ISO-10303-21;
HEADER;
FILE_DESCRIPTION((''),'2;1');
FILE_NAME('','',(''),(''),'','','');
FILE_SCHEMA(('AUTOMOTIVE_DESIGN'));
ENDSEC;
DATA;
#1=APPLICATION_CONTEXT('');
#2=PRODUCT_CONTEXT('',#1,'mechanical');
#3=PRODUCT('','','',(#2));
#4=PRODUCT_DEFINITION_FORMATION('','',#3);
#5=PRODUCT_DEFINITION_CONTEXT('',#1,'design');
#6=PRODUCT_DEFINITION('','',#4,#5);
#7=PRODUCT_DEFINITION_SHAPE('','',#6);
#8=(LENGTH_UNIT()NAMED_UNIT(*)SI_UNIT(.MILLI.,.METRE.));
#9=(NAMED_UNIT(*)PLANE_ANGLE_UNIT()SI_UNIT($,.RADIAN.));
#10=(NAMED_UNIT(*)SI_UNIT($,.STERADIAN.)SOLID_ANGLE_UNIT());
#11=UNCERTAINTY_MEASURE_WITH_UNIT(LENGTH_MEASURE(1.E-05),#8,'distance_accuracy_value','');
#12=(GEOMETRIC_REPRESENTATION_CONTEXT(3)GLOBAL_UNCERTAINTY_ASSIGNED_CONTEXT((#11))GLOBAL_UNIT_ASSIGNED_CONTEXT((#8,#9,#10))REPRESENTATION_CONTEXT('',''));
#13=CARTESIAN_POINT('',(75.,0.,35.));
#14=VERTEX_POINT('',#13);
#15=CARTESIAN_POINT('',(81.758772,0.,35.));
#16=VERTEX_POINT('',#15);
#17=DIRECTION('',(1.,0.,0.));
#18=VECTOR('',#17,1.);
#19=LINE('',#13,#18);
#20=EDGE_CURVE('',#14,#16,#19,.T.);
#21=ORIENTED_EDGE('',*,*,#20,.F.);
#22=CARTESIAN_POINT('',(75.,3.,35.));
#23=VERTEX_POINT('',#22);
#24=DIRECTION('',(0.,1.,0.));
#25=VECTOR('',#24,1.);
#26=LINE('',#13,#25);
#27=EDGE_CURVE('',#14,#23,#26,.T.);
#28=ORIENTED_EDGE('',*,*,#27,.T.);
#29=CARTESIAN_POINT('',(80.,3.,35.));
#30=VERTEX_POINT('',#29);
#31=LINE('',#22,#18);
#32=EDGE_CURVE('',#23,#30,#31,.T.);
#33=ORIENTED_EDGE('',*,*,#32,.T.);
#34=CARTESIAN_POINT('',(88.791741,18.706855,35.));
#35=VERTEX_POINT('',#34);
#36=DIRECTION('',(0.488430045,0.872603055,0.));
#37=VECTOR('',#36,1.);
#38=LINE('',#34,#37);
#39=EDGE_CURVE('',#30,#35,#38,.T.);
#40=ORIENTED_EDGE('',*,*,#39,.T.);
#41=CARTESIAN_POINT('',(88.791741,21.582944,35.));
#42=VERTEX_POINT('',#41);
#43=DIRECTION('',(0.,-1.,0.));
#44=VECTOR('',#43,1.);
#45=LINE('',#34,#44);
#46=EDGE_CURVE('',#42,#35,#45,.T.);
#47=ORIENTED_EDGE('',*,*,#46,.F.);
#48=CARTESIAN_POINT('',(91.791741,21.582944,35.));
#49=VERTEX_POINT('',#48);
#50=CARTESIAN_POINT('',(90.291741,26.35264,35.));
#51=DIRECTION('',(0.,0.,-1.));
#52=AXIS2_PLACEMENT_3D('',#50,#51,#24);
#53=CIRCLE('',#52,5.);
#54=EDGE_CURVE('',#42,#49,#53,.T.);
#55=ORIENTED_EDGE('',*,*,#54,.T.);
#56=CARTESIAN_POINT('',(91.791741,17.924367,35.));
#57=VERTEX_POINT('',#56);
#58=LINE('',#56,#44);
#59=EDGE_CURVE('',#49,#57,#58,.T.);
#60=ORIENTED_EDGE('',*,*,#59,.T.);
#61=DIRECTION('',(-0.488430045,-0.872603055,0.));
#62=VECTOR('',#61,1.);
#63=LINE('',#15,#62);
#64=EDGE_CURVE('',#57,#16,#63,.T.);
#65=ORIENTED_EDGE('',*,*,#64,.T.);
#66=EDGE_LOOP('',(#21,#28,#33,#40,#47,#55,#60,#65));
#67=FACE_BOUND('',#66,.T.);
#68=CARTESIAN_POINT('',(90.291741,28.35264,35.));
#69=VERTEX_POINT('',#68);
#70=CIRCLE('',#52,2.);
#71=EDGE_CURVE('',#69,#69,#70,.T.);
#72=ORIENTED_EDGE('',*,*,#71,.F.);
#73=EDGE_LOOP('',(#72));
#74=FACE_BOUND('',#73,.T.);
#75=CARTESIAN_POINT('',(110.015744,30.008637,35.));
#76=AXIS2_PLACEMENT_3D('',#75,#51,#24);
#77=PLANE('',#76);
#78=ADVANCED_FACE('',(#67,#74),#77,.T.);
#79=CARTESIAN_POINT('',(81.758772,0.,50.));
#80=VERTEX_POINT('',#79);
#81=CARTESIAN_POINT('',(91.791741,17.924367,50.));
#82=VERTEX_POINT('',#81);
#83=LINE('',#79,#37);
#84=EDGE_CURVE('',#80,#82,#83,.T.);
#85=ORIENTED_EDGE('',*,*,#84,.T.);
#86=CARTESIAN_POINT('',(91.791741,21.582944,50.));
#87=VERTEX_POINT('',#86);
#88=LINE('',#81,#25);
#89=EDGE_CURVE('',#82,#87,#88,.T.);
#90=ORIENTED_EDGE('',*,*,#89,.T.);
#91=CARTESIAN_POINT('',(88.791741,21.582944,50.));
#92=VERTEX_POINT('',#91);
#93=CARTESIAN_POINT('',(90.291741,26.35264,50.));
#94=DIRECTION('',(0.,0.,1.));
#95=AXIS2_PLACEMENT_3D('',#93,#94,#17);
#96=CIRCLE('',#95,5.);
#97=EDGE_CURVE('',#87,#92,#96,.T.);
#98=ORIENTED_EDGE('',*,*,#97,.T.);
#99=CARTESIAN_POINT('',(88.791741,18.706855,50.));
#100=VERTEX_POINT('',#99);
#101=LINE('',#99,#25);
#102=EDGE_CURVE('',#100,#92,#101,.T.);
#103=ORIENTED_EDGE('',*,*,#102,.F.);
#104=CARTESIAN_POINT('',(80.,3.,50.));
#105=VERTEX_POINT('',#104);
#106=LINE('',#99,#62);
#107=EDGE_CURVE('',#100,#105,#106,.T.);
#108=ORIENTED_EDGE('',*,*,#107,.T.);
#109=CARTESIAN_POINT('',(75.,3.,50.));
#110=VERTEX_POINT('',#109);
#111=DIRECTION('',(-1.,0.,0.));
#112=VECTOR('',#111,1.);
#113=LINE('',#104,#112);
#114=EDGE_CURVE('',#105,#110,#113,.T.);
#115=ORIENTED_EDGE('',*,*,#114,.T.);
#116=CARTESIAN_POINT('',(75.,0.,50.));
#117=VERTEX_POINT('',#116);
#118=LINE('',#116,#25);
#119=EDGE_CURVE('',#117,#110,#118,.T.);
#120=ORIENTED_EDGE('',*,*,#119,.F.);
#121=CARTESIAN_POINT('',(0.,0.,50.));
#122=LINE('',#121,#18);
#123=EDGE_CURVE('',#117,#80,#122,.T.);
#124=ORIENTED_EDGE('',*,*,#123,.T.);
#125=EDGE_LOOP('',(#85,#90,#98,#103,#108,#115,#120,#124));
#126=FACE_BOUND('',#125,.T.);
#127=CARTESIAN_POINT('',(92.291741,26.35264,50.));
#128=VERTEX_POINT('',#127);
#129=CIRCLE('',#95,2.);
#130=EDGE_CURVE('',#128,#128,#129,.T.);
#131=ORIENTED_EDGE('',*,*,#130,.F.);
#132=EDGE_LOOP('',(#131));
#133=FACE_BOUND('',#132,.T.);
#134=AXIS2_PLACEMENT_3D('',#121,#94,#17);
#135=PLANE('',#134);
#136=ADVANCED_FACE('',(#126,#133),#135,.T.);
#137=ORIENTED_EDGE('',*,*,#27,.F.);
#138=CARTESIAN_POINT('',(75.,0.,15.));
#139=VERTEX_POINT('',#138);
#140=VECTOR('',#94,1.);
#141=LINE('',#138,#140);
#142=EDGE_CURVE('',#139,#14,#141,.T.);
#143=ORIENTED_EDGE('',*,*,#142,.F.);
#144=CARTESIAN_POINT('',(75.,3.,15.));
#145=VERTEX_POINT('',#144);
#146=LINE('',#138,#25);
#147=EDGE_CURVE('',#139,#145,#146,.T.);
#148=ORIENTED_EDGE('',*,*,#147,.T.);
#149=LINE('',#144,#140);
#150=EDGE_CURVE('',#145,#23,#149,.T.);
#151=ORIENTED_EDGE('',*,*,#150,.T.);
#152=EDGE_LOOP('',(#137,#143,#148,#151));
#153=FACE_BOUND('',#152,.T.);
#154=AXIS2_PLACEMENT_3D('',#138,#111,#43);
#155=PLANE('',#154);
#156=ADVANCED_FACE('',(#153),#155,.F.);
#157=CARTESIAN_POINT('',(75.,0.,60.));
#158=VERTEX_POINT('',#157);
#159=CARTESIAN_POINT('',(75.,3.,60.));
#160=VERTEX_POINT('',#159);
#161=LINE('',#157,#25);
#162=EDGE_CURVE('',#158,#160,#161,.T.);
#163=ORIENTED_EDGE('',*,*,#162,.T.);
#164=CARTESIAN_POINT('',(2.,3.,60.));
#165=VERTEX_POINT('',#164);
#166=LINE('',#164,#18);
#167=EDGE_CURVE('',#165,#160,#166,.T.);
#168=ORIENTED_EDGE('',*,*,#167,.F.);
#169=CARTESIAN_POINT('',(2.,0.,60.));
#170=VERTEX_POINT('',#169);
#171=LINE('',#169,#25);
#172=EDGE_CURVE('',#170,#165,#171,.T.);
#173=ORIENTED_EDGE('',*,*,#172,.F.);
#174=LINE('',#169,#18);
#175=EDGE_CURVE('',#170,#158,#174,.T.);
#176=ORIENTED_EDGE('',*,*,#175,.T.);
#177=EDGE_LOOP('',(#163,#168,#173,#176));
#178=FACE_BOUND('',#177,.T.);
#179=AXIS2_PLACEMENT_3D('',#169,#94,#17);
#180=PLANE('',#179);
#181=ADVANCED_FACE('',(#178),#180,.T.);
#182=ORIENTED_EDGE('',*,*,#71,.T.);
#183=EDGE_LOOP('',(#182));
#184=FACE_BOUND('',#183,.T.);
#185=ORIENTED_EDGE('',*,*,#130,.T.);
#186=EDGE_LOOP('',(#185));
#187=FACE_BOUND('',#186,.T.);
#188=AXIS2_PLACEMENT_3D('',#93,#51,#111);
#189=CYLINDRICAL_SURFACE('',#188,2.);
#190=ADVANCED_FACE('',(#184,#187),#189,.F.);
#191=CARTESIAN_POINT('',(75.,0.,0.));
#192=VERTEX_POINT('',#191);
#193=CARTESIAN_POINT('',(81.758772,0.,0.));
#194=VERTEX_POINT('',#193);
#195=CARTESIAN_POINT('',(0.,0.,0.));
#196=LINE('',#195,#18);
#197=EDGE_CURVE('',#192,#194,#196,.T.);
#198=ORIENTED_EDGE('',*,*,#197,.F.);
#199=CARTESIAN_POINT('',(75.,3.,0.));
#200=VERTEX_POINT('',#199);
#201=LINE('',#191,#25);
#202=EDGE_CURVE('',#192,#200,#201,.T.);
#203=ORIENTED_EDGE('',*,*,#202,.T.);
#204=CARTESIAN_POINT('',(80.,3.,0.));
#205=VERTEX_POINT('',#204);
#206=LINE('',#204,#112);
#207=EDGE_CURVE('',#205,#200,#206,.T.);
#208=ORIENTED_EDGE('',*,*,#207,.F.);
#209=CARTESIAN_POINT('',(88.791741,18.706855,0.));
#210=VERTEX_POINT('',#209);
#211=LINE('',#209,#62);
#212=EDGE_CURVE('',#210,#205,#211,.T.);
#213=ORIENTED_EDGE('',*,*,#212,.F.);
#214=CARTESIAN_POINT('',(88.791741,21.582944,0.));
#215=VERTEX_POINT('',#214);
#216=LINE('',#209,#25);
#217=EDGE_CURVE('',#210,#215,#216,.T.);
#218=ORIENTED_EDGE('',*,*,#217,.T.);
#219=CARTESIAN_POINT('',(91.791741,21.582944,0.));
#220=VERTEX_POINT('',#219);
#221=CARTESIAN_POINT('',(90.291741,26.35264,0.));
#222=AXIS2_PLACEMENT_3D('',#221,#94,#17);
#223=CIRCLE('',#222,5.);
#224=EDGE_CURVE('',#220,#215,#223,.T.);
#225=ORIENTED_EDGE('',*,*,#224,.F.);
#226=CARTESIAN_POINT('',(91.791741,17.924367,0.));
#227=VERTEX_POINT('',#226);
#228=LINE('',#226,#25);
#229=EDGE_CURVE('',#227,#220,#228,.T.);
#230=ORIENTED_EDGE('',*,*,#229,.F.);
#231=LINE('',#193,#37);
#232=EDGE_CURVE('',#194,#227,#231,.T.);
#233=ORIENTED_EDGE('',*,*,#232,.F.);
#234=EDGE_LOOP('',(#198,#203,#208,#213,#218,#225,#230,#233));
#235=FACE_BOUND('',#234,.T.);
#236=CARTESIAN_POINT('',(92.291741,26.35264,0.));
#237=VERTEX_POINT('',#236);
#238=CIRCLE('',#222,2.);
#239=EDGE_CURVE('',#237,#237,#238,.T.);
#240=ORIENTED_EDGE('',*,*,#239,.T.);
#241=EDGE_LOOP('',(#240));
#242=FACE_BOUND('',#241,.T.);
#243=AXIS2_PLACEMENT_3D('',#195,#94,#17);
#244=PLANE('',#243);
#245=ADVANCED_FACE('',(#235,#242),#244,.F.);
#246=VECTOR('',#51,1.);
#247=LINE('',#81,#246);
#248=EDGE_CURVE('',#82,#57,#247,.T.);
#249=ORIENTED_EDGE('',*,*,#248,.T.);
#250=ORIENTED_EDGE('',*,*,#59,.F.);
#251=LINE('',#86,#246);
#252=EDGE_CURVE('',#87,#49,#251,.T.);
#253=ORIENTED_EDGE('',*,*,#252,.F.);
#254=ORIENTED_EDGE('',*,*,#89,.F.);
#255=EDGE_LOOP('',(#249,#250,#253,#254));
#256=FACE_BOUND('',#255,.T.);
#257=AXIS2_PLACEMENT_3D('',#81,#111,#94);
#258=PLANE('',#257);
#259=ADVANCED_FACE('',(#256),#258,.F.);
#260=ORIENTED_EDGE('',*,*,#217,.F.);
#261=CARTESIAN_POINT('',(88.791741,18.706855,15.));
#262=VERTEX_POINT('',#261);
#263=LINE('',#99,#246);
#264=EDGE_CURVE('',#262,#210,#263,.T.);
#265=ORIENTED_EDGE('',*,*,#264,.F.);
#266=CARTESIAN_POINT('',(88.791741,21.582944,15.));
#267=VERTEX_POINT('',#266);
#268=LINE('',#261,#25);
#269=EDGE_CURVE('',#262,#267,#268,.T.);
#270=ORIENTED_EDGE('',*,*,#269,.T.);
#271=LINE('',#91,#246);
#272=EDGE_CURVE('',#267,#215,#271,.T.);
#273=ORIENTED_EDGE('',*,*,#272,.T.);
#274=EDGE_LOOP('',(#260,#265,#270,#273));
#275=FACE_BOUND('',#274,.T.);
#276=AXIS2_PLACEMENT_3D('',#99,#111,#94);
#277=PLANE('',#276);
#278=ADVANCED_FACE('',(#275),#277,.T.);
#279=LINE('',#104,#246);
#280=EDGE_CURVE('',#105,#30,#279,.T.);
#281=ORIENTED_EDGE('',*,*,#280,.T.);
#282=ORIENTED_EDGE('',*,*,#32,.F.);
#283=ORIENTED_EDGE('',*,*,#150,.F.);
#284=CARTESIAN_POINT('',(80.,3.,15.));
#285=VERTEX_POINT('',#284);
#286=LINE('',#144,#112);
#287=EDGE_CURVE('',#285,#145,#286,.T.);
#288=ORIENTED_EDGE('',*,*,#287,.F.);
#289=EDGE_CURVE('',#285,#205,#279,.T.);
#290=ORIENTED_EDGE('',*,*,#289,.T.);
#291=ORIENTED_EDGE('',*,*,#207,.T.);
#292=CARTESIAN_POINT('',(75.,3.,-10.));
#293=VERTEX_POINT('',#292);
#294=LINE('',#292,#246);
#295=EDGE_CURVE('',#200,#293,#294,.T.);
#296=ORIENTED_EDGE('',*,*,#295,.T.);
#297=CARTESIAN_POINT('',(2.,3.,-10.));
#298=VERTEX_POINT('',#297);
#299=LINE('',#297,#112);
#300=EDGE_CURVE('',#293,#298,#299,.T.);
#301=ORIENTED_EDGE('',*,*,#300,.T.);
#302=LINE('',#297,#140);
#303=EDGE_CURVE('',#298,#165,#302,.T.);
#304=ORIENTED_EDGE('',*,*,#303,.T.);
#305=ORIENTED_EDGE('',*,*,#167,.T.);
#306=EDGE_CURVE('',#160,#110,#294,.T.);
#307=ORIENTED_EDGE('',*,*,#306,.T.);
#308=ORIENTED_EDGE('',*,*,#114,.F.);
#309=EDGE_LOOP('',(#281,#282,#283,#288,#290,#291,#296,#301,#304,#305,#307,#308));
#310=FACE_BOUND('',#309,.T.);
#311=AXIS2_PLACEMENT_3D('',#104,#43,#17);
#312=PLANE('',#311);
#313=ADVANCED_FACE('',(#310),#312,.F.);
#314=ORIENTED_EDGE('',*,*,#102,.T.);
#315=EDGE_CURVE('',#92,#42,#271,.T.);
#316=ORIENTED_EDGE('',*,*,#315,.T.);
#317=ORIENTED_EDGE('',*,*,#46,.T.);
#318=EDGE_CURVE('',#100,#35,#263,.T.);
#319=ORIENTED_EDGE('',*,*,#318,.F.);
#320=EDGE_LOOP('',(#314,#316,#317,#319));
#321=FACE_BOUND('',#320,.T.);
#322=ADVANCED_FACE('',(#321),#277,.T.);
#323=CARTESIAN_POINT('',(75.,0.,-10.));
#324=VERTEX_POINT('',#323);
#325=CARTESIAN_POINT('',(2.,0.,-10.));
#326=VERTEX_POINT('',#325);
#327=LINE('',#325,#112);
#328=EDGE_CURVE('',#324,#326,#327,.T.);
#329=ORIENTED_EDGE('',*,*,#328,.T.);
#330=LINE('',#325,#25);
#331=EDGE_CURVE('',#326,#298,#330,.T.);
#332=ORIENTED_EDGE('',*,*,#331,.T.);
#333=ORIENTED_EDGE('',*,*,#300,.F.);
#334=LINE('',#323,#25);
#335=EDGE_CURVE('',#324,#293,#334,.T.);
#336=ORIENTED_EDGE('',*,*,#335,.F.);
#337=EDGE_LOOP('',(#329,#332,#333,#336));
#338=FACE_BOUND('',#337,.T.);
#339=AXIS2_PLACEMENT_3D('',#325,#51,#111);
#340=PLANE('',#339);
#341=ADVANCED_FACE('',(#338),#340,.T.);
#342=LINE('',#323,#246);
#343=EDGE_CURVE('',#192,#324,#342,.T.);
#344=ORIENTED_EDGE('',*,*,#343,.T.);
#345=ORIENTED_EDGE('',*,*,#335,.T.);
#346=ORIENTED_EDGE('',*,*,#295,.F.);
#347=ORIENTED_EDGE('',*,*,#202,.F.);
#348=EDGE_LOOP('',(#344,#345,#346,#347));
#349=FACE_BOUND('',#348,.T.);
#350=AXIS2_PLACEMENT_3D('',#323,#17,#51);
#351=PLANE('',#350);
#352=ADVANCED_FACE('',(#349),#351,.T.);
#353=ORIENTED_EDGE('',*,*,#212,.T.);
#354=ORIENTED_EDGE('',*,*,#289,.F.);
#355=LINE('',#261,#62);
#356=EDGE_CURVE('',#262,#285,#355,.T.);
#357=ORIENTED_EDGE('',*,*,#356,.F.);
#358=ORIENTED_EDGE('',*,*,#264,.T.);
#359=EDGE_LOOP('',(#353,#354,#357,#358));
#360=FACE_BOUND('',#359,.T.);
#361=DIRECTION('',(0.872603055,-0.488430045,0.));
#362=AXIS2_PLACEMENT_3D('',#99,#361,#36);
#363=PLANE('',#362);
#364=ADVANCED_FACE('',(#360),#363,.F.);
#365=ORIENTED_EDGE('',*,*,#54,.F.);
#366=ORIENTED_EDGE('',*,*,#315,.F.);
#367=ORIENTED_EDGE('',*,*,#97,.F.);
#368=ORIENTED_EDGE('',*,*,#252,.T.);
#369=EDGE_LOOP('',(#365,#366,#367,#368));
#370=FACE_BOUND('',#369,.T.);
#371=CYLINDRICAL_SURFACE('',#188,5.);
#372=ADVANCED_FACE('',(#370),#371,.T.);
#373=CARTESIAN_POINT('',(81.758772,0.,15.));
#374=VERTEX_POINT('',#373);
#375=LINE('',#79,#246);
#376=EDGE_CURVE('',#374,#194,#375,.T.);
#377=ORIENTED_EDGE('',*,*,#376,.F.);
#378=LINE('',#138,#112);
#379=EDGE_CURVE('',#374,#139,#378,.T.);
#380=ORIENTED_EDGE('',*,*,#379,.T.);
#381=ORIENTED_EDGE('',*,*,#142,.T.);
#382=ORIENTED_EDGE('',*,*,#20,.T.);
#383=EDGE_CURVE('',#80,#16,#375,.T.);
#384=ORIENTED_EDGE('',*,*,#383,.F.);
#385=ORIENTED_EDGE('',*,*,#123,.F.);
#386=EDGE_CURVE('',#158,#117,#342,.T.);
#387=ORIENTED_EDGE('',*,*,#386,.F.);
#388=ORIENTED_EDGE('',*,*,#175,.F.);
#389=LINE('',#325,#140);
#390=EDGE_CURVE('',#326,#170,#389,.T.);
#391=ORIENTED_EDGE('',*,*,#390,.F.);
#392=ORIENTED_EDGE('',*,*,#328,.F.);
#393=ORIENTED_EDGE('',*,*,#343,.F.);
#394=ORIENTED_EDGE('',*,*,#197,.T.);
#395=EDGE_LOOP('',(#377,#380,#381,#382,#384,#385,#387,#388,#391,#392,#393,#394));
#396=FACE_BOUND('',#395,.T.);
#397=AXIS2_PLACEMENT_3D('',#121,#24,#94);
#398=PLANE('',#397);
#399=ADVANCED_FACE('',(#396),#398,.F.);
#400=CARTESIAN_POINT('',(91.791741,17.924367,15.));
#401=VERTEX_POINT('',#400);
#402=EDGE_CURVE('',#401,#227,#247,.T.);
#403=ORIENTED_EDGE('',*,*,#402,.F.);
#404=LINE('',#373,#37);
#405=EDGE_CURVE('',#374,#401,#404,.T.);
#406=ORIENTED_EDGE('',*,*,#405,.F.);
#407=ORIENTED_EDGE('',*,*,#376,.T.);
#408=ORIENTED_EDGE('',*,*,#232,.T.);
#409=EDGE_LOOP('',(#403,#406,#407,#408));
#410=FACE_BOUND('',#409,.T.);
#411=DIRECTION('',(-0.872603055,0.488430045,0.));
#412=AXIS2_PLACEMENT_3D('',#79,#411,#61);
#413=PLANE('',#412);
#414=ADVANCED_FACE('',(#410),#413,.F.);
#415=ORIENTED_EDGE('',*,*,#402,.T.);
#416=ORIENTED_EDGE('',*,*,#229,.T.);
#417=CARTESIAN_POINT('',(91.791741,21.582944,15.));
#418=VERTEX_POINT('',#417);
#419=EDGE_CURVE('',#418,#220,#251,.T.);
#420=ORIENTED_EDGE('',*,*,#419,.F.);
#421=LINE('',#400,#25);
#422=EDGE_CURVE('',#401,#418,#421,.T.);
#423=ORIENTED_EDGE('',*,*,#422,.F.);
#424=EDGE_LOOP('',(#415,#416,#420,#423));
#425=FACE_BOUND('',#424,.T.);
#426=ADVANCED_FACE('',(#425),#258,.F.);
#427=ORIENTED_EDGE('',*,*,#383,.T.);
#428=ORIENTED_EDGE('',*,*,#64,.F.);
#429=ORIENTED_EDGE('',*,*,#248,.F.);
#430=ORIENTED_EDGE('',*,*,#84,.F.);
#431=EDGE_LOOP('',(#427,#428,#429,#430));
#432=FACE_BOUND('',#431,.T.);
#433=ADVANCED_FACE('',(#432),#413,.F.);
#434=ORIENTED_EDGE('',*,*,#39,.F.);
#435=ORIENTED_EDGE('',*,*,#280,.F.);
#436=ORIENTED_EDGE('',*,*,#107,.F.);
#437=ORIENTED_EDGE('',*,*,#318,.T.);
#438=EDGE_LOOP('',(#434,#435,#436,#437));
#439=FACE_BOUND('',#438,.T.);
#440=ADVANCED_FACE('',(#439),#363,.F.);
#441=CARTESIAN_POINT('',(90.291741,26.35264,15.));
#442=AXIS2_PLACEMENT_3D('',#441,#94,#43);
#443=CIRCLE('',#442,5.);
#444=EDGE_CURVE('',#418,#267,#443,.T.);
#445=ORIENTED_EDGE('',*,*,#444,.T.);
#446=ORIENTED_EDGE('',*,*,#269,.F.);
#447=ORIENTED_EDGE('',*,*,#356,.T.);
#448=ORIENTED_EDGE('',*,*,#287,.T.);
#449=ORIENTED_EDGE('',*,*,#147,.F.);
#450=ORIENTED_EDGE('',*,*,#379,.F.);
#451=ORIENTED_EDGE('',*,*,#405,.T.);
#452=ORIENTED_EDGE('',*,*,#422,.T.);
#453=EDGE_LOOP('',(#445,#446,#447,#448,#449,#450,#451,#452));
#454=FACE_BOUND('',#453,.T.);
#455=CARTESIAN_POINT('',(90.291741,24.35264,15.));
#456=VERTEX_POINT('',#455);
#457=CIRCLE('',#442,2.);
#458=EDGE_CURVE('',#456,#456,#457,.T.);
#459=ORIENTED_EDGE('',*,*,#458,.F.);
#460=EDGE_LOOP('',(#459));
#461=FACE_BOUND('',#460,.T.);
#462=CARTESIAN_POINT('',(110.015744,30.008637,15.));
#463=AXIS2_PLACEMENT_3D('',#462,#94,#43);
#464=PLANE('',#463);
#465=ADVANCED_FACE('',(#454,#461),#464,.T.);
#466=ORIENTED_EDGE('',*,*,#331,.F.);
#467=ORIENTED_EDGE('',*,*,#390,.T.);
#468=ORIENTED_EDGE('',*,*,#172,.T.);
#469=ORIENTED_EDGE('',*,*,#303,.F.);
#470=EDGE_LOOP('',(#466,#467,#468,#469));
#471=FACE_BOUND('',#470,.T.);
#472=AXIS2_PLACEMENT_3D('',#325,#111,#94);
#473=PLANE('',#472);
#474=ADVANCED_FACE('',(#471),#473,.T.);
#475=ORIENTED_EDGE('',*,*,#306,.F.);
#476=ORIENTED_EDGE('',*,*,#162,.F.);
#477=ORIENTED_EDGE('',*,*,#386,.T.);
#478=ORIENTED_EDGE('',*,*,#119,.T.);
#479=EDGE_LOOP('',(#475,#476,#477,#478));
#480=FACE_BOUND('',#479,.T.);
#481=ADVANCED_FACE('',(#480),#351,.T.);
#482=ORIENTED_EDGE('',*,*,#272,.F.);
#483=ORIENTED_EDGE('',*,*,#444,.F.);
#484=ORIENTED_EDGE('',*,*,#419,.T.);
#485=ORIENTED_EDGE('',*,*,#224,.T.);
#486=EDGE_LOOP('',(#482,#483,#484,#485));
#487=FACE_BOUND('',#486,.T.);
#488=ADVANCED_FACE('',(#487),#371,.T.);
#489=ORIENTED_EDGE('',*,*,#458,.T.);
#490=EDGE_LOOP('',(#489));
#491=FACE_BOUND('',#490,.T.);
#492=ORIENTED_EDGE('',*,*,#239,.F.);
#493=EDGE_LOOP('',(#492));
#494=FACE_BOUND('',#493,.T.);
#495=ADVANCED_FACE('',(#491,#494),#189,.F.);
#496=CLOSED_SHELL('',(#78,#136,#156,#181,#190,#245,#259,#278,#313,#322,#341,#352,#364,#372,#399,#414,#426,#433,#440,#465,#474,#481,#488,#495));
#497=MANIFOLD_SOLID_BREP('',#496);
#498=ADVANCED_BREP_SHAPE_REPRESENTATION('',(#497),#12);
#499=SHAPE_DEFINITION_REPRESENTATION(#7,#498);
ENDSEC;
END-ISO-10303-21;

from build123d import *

# Parameters (mm, degrees)
SKETCH1_R               = 5
BOSS_EXTRUDE1_DEPTH     = 50
SKETCH2_R               = 2
CUT_EXTRUDE1_DEPTH      = 51
SKETCH7_W               = 20
SKETCH7_H               = 39.987182744
CUT_EXTRUDE3_DEPTH      = 10
CUT_EXTRUDE3_DEPTH_BACK = 10
BOSS_EXTRUDE2_REACH     = 52
CUT_EXTRUDE4_REACH      = 97.292
SKETCH9_W               = 20
SKETCH9_H               = 10.896319728
CUT_EXTRUDE6_REACH      = 52
SKETCH11_W              = 5
SKETCH11_H              = 3
SKETCH12_W              = 73
SKETCH12_H              = 70
BOSS_EXTRUDE3_DEPTH     = 3
SKETCH13_W              = 6.758772051
SKETCH13_H              = 20
CUT_EXTRUDE7_DEPTH      = 4


with BuildPart() as part:
    # Sketch1 → Boss-Extrude1 (new body)
    with BuildSketch(Plane.XY):
        with Locations((90.291740814, 26.352640412)):
            Circle(SKETCH1_R)
        Polygon((0, 3), (0, 0), (81.758772051, 0), (91.791740814, 17.924366601), (91.791740814, 23.706854983), (88.791740814, 23.706854983), (88.791740814, 18.706854983), (80, 3), align=None)
    extrude(amount=BOSS_EXTRUDE1_DEPTH)

    # Sketch2 → Cut-Extrude1 (cut, through all)
    with BuildSketch(Plane.XY):
        with Locations((90.291740814, 26.352640412)):
            Circle(SKETCH2_R)
    extrude(amount=CUT_EXTRUDE1_DEPTH, mode=Mode.SUBTRACT)

    # Sketch7 → Cut-Extrude3 (cut, two sides)
    with BuildSketch(Plane(origin=(62.254079791, -34.846042362, 0), x_dir=(0, 0, -1), z_dir=(0.872603055, -0.488430045, 0))) as cut_extrude3_sk:
        with Locations((-25, 59.927032101)):
            Rectangle(SKETCH7_W, SKETCH7_H)
    extrude(amount=CUT_EXTRUDE3_DEPTH, mode=Mode.SUBTRACT)
    extrude(cut_extrude3_sk.sketch, amount=-CUT_EXTRUDE3_DEPTH_BACK, mode=Mode.SUBTRACT)

    # Sketch8 → Boss-Extrude2 (add, up to next)
    with BuildSketch(Plane.XY, mode=Mode.PRIVATE) as boss_extrude2_sk1:
        Polygon((66.951015515, 3), (66.951015515, 0), (81.758772051, 0), (79.25400484, 1.667244856), (80, 3), align=None)
    boss_extrude2_tool1 = extrude(boss_extrude2_sk1.sketch, amount=BOSS_EXTRUDE2_REACH, mode=Mode.PRIVATE) - part.part
    add(boss_extrude2_tool1.solids().sort_by_distance((73.552437, 1.463367, 0))[0])

    # Sketch9 → Cut-Extrude4 (cut, up to next)
    with BuildSketch(Plane(origin=(0, 0, 0), x_dir=(0, 0, -1), z_dir=(1, 0, 0)), mode=Mode.PRIVATE) as cut_extrude4_sk1:
        with Locations((-25, 32.01270193)):
            Rectangle(SKETCH9_W, SKETCH9_H)
    cut_extrude4_tool1 = extrude(cut_extrude4_sk1.sketch, amount=CUT_EXTRUDE4_REACH, mode=Mode.PRIVATE) & part.part
    add(cut_extrude4_tool1.solids().sort_by_distance((0, 32.012702, 25))[0], mode=Mode.SUBTRACT)

    # Sketch11 → Cut-Extrude6 (cut, up to next)
    with BuildSketch(Plane.XY.offset(50), mode=Mode.PRIVATE) as cut_extrude6_sk1:
        with Locations((2.5, 1.5)):
            Rectangle(SKETCH11_W, SKETCH11_H)
    cut_extrude6_tool1 = extrude(cut_extrude6_sk1.sketch, amount=-CUT_EXTRUDE6_REACH, mode=Mode.PRIVATE) & part.part
    add(cut_extrude6_tool1.solids().sort_by_distance((2.5, 1.5, 50))[0], mode=Mode.SUBTRACT)

    # Sketch12 → Boss-Extrude3 (add, through all)
    with BuildSketch(Plane(origin=(0, 3, 0), x_dir=(1, 0, 0), z_dir=(0, 1, 0))):
        with Locations((38.5, -25)):
            Rectangle(SKETCH12_W, SKETCH12_H)
    extrude(amount=-BOSS_EXTRUDE3_DEPTH)

    # Sketch13 → Cut-Extrude7 (cut, through all)
    with BuildSketch(Plane(origin=(0, 3, 0), x_dir=(1, 0, 0), z_dir=(0, 1, 0))):
        with Locations((78.379386025, -25)):
            Rectangle(SKETCH13_W, SKETCH13_H)
    extrude(amount=-CUT_EXTRUDE7_DEPTH, mode=Mode.SUBTRACT)


solid = part.part
